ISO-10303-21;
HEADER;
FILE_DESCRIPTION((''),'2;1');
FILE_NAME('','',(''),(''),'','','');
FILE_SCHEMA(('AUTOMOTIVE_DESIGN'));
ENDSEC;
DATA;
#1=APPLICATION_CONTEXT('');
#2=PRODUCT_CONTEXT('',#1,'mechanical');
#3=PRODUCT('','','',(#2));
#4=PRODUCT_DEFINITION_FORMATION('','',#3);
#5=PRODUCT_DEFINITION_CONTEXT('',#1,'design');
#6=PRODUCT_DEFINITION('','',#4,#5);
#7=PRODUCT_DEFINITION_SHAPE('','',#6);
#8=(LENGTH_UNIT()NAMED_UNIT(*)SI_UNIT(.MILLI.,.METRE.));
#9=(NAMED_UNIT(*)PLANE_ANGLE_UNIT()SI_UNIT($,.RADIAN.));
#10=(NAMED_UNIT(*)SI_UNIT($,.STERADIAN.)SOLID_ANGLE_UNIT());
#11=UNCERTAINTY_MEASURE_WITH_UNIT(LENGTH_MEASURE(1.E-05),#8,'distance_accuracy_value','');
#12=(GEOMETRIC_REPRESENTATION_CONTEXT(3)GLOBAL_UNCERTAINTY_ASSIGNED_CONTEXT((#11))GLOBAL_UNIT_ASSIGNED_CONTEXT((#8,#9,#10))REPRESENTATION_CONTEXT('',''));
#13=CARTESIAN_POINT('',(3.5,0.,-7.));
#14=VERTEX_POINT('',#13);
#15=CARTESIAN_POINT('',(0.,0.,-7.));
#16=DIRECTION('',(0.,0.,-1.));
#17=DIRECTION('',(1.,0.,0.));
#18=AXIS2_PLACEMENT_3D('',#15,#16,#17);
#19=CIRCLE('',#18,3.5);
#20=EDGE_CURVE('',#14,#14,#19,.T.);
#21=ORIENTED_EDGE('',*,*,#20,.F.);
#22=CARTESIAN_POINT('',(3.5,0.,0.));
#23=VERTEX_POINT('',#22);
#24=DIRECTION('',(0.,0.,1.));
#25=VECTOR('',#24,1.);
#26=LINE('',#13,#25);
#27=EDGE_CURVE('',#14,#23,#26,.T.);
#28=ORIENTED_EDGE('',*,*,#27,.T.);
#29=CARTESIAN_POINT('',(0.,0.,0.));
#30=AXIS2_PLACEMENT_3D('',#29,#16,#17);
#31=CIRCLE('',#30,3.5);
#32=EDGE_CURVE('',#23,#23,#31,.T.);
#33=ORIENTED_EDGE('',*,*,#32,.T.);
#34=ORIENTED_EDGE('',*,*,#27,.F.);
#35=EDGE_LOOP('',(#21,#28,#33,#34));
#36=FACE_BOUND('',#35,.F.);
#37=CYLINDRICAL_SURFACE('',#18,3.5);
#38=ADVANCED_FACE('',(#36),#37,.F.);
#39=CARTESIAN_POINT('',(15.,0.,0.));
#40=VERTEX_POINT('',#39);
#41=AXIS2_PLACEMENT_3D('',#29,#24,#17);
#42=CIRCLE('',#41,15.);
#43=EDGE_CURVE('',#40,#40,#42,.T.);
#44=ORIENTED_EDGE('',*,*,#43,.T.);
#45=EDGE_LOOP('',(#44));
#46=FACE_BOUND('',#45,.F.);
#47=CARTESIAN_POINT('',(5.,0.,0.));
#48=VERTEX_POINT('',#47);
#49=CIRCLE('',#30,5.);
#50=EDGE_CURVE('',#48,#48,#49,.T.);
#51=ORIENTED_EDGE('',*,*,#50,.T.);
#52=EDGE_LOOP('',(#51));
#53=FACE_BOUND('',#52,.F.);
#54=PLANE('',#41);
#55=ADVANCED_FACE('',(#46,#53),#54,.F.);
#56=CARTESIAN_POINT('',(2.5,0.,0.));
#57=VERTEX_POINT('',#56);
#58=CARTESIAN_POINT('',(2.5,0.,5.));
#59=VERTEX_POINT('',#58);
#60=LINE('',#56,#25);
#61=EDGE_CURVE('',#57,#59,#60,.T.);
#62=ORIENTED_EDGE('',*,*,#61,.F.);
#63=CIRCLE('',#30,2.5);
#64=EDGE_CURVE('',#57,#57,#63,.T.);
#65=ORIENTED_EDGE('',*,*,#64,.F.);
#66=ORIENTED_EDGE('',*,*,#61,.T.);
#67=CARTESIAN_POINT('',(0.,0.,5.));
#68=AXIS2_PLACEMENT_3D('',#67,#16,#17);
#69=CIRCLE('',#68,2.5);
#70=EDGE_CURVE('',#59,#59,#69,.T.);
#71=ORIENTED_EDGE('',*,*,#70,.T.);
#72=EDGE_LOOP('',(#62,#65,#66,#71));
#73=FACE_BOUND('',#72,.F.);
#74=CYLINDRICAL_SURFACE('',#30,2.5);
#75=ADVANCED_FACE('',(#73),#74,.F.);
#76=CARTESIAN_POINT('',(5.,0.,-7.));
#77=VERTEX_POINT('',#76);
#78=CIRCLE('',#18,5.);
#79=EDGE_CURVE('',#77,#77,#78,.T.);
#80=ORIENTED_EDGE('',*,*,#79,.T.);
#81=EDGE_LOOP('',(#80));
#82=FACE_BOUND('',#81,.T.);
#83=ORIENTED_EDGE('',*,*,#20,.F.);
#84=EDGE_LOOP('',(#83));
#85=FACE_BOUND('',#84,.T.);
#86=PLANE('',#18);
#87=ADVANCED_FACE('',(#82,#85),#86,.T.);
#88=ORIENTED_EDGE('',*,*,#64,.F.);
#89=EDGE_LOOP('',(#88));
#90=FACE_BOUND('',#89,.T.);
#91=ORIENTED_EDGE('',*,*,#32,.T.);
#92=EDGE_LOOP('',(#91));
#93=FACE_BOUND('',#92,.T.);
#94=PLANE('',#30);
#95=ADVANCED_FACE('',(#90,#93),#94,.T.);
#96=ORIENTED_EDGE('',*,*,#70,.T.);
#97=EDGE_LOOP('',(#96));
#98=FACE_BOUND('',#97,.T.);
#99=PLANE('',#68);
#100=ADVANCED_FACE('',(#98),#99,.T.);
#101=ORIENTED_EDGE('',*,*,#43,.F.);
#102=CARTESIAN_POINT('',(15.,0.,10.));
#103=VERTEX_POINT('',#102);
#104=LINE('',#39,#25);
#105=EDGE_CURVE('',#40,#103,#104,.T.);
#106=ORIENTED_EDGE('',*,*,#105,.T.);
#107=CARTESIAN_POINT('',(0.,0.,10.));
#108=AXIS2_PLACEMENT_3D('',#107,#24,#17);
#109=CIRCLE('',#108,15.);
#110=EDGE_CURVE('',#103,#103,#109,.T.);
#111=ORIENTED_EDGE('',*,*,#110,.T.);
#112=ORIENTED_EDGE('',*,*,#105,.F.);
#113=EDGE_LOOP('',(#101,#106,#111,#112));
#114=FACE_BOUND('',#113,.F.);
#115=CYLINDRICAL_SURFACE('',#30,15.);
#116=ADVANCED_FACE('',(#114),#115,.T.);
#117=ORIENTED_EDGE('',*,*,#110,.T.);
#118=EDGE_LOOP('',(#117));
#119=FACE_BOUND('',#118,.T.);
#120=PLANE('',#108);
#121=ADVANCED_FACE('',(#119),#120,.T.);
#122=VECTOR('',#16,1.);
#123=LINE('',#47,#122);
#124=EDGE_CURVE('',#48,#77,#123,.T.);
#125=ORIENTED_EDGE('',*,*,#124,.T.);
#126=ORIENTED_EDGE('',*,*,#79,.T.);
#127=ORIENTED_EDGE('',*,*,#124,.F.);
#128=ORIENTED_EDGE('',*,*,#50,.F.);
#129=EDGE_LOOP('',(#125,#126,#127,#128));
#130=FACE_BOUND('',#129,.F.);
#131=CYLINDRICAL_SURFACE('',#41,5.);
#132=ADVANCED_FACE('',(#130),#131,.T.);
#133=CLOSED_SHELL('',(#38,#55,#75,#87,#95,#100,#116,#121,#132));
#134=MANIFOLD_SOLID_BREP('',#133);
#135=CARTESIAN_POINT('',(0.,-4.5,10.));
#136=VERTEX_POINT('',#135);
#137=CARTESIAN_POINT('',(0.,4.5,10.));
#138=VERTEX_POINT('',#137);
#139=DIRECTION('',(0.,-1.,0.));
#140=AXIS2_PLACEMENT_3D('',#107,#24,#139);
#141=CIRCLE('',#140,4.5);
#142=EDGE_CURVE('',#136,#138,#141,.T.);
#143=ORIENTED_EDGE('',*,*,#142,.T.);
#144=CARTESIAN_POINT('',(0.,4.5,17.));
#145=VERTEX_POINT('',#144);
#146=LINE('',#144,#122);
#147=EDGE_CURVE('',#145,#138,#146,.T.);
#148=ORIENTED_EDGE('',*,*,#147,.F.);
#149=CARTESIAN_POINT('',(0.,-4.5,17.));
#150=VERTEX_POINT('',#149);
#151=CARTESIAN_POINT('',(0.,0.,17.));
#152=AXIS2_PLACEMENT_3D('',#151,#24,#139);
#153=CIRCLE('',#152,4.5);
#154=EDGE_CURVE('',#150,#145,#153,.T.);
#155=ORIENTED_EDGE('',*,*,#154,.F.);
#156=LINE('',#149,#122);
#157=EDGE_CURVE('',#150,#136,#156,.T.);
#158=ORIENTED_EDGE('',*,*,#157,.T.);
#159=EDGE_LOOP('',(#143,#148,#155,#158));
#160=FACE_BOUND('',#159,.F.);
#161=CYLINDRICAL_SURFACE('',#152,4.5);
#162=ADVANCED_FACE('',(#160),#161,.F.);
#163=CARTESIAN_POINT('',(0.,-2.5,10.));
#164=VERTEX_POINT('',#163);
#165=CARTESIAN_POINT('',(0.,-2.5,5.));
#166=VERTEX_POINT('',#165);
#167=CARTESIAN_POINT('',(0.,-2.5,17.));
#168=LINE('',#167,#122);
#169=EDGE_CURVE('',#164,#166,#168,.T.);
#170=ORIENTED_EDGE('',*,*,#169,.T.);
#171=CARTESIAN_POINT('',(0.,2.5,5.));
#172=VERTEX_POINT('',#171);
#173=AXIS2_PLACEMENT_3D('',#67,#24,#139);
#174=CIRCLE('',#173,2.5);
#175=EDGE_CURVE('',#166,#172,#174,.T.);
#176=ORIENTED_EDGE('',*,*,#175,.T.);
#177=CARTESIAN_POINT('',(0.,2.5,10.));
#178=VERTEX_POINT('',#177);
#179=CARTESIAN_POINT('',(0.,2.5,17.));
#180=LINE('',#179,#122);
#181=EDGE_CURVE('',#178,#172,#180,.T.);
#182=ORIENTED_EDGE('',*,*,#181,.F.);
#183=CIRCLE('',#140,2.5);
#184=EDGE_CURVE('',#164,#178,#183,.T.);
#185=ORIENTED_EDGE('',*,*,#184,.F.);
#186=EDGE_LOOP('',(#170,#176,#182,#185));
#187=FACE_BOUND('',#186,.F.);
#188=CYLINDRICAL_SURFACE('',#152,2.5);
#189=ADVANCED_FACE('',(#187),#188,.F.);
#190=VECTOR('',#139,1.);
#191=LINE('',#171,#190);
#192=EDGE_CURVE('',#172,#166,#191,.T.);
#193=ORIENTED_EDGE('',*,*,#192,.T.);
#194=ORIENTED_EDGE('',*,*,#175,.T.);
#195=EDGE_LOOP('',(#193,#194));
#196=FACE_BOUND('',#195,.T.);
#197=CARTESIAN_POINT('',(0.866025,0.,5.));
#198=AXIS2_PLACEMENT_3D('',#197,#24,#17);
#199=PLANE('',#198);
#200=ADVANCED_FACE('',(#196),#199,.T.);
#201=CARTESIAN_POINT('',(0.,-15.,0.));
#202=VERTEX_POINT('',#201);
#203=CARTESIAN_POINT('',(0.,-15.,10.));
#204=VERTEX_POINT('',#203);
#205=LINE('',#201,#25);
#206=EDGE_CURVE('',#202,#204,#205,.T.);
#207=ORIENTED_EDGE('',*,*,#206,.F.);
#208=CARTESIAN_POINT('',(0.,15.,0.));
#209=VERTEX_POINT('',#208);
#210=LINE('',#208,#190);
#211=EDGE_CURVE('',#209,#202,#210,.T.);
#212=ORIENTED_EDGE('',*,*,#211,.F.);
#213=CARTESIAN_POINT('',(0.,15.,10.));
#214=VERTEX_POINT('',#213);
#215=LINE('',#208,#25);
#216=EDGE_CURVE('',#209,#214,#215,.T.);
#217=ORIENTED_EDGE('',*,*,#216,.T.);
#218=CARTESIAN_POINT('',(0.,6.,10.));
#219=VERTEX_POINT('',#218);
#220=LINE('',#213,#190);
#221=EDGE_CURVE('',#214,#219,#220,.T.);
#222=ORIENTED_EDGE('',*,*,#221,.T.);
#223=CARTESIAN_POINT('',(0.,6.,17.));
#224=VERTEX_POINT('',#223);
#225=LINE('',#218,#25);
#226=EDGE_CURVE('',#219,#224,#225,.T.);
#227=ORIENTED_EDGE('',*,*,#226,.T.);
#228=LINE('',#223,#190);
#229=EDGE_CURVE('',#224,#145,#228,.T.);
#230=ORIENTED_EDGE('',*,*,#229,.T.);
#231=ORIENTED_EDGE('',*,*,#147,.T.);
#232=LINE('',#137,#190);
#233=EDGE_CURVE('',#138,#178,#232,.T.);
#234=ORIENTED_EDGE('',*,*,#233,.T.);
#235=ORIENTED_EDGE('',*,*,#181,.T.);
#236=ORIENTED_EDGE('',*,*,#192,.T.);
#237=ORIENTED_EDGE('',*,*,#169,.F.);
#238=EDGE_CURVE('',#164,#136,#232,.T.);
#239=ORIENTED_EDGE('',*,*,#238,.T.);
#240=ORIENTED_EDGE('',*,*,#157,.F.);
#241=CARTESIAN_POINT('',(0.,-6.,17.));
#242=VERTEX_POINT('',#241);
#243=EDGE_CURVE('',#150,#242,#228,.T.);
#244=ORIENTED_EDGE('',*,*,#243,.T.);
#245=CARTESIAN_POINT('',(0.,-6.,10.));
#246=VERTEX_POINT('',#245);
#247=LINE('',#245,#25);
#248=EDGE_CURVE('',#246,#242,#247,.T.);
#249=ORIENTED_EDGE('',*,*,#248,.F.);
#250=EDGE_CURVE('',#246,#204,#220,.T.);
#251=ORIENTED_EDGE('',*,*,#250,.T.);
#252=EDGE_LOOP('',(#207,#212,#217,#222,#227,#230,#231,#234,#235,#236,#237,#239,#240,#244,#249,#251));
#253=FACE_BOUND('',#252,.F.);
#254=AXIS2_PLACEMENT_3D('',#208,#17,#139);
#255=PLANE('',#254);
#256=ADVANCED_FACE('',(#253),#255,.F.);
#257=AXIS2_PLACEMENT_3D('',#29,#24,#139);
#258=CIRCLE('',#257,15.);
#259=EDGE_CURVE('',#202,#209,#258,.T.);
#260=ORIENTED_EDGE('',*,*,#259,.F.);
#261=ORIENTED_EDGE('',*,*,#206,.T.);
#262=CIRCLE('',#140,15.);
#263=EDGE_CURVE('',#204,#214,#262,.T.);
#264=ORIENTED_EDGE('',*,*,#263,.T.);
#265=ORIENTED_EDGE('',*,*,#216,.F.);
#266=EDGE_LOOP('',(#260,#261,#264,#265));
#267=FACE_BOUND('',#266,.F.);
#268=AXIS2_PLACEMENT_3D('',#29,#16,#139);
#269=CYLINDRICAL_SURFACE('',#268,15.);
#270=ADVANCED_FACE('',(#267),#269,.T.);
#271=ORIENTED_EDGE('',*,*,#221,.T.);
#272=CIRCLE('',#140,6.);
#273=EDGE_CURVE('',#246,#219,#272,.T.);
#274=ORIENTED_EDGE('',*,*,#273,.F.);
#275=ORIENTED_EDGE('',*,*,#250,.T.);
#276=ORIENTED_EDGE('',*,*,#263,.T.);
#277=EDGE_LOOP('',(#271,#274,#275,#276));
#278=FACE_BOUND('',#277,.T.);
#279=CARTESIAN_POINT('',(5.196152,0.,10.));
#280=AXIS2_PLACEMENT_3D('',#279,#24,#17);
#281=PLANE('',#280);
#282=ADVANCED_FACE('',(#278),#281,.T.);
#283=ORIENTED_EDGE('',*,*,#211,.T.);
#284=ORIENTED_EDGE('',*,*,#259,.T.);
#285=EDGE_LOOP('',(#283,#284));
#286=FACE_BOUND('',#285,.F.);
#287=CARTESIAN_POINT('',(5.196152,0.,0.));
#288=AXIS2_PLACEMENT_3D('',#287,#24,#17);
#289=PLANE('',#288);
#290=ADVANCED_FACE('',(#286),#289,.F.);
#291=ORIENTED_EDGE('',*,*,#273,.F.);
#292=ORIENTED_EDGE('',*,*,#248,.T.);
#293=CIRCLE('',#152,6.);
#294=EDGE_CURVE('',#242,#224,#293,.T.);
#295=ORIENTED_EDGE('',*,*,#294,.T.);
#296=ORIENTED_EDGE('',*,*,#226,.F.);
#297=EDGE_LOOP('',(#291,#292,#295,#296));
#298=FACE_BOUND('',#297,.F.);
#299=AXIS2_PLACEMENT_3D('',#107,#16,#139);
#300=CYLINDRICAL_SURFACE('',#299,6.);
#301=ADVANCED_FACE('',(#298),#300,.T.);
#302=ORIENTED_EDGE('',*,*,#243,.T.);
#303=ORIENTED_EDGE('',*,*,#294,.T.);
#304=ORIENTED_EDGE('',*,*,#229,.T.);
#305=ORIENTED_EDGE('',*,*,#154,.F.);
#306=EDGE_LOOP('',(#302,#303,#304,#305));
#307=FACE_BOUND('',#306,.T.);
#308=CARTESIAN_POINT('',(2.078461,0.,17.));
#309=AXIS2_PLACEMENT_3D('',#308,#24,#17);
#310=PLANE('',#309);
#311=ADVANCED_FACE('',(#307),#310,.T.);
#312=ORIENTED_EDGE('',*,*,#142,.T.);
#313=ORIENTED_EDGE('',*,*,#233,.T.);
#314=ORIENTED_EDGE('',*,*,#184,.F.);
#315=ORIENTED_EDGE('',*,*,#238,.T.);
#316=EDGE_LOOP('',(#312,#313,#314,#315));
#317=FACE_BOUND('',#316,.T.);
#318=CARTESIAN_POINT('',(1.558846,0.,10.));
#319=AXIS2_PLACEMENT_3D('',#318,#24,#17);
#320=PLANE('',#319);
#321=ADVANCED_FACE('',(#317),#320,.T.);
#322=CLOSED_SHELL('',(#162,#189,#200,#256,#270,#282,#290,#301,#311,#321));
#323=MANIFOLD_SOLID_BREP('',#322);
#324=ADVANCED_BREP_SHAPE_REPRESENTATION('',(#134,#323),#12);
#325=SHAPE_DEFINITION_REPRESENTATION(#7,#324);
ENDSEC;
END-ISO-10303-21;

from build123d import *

# Parameters (mm, degrees)
SKETCH_R        = 15
PAD_DEPTH       = 10
SKETCH001_R     = 2.5
POCKET_DEPTH    = 5
SKETCH002_R     = 5
PAD001_DEPTH    = 7
SKETCH003_R     = 3.5
POCKET001_DEPTH = 7
PAD002_DEPTH    = 10
PAD003_DEPTH    = 7
POCKET002_DEPTH = 12
POCKET003_DEPTH = 7


with BuildPart() as body:
    # Sketch → Pad (new body)
    with BuildSketch(Plane.XY):
        Circle(SKETCH_R)
    extrude(amount=PAD_DEPTH)

    # Sketch001 (on Face2 of Pad) → Pocket (cut)
    with BuildSketch(Plane(origin=(0, 0, 0), x_dir=(1, 0, 0), z_dir=(0, 0, -1))):
        Circle(SKETCH001_R)
    extrude(amount=-POCKET_DEPTH, mode=Mode.SUBTRACT)

    # Sketch002 (on Face2 of Pocket) → Pad001 (join)
    with BuildSketch(Plane(origin=(0, 0, 0), x_dir=(1, 0, 0), z_dir=(0, 0, -1))):
        Circle(SKETCH002_R)
    extrude(amount=PAD001_DEPTH)

    # Sketch003 (on Face5 of Pad001) → Pocket001 (cut)
    with BuildSketch(Plane(origin=(0, 0, -7), x_dir=(1, 0, 0), z_dir=(0, 0, -1))):
        Circle(SKETCH003_R)
    extrude(amount=-POCKET001_DEPTH, mode=Mode.SUBTRACT)


with BuildPart() as bodyhalf:
    # Sketch004 → Pad002 (new body)
    with BuildSketch(Plane.XY):
        with BuildLine():
            ThreePointArc((0, -15), (15, 0), (0, 15))
            Line((0, 15), (0, -15))
        make_face()
    extrude(amount=PAD002_DEPTH)

    # Sketch006 → Pad003 (join)
    with BuildSketch(Plane.XY.offset(10)):
        with BuildLine():
            ThreePointArc((0, -6), (6, 0), (0, 6))
            Line((0, 6), (0, -6))
        make_face()
    extrude(amount=PAD003_DEPTH)

    # Sketch007 (on Face7 of Pad003) → Pocket002 (cut)
    with BuildSketch(Plane.XY.offset(17)):
        with BuildLine():
            ThreePointArc((0, -2.5), (2.5, 0), (0, 2.5))
            Line((0, 2.5), (0, -2.5))
        make_face()
    extrude(amount=-POCKET002_DEPTH, mode=Mode.SUBTRACT)

    # Sketch008 (on Face10 of Pocket002) → Pocket003 (cut)
    with BuildSketch(Plane.XY.offset(17)):
        with BuildLine():
            ThreePointArc((0, -4.5), (4.5, 0), (0, 4.5))
            Line((0, 4.5), (0, -4.5))
        make_face()
    extrude(amount=-POCKET003_DEPTH, mode=Mode.SUBTRACT)


solid = Compound([body.part, bodyhalf.part])
